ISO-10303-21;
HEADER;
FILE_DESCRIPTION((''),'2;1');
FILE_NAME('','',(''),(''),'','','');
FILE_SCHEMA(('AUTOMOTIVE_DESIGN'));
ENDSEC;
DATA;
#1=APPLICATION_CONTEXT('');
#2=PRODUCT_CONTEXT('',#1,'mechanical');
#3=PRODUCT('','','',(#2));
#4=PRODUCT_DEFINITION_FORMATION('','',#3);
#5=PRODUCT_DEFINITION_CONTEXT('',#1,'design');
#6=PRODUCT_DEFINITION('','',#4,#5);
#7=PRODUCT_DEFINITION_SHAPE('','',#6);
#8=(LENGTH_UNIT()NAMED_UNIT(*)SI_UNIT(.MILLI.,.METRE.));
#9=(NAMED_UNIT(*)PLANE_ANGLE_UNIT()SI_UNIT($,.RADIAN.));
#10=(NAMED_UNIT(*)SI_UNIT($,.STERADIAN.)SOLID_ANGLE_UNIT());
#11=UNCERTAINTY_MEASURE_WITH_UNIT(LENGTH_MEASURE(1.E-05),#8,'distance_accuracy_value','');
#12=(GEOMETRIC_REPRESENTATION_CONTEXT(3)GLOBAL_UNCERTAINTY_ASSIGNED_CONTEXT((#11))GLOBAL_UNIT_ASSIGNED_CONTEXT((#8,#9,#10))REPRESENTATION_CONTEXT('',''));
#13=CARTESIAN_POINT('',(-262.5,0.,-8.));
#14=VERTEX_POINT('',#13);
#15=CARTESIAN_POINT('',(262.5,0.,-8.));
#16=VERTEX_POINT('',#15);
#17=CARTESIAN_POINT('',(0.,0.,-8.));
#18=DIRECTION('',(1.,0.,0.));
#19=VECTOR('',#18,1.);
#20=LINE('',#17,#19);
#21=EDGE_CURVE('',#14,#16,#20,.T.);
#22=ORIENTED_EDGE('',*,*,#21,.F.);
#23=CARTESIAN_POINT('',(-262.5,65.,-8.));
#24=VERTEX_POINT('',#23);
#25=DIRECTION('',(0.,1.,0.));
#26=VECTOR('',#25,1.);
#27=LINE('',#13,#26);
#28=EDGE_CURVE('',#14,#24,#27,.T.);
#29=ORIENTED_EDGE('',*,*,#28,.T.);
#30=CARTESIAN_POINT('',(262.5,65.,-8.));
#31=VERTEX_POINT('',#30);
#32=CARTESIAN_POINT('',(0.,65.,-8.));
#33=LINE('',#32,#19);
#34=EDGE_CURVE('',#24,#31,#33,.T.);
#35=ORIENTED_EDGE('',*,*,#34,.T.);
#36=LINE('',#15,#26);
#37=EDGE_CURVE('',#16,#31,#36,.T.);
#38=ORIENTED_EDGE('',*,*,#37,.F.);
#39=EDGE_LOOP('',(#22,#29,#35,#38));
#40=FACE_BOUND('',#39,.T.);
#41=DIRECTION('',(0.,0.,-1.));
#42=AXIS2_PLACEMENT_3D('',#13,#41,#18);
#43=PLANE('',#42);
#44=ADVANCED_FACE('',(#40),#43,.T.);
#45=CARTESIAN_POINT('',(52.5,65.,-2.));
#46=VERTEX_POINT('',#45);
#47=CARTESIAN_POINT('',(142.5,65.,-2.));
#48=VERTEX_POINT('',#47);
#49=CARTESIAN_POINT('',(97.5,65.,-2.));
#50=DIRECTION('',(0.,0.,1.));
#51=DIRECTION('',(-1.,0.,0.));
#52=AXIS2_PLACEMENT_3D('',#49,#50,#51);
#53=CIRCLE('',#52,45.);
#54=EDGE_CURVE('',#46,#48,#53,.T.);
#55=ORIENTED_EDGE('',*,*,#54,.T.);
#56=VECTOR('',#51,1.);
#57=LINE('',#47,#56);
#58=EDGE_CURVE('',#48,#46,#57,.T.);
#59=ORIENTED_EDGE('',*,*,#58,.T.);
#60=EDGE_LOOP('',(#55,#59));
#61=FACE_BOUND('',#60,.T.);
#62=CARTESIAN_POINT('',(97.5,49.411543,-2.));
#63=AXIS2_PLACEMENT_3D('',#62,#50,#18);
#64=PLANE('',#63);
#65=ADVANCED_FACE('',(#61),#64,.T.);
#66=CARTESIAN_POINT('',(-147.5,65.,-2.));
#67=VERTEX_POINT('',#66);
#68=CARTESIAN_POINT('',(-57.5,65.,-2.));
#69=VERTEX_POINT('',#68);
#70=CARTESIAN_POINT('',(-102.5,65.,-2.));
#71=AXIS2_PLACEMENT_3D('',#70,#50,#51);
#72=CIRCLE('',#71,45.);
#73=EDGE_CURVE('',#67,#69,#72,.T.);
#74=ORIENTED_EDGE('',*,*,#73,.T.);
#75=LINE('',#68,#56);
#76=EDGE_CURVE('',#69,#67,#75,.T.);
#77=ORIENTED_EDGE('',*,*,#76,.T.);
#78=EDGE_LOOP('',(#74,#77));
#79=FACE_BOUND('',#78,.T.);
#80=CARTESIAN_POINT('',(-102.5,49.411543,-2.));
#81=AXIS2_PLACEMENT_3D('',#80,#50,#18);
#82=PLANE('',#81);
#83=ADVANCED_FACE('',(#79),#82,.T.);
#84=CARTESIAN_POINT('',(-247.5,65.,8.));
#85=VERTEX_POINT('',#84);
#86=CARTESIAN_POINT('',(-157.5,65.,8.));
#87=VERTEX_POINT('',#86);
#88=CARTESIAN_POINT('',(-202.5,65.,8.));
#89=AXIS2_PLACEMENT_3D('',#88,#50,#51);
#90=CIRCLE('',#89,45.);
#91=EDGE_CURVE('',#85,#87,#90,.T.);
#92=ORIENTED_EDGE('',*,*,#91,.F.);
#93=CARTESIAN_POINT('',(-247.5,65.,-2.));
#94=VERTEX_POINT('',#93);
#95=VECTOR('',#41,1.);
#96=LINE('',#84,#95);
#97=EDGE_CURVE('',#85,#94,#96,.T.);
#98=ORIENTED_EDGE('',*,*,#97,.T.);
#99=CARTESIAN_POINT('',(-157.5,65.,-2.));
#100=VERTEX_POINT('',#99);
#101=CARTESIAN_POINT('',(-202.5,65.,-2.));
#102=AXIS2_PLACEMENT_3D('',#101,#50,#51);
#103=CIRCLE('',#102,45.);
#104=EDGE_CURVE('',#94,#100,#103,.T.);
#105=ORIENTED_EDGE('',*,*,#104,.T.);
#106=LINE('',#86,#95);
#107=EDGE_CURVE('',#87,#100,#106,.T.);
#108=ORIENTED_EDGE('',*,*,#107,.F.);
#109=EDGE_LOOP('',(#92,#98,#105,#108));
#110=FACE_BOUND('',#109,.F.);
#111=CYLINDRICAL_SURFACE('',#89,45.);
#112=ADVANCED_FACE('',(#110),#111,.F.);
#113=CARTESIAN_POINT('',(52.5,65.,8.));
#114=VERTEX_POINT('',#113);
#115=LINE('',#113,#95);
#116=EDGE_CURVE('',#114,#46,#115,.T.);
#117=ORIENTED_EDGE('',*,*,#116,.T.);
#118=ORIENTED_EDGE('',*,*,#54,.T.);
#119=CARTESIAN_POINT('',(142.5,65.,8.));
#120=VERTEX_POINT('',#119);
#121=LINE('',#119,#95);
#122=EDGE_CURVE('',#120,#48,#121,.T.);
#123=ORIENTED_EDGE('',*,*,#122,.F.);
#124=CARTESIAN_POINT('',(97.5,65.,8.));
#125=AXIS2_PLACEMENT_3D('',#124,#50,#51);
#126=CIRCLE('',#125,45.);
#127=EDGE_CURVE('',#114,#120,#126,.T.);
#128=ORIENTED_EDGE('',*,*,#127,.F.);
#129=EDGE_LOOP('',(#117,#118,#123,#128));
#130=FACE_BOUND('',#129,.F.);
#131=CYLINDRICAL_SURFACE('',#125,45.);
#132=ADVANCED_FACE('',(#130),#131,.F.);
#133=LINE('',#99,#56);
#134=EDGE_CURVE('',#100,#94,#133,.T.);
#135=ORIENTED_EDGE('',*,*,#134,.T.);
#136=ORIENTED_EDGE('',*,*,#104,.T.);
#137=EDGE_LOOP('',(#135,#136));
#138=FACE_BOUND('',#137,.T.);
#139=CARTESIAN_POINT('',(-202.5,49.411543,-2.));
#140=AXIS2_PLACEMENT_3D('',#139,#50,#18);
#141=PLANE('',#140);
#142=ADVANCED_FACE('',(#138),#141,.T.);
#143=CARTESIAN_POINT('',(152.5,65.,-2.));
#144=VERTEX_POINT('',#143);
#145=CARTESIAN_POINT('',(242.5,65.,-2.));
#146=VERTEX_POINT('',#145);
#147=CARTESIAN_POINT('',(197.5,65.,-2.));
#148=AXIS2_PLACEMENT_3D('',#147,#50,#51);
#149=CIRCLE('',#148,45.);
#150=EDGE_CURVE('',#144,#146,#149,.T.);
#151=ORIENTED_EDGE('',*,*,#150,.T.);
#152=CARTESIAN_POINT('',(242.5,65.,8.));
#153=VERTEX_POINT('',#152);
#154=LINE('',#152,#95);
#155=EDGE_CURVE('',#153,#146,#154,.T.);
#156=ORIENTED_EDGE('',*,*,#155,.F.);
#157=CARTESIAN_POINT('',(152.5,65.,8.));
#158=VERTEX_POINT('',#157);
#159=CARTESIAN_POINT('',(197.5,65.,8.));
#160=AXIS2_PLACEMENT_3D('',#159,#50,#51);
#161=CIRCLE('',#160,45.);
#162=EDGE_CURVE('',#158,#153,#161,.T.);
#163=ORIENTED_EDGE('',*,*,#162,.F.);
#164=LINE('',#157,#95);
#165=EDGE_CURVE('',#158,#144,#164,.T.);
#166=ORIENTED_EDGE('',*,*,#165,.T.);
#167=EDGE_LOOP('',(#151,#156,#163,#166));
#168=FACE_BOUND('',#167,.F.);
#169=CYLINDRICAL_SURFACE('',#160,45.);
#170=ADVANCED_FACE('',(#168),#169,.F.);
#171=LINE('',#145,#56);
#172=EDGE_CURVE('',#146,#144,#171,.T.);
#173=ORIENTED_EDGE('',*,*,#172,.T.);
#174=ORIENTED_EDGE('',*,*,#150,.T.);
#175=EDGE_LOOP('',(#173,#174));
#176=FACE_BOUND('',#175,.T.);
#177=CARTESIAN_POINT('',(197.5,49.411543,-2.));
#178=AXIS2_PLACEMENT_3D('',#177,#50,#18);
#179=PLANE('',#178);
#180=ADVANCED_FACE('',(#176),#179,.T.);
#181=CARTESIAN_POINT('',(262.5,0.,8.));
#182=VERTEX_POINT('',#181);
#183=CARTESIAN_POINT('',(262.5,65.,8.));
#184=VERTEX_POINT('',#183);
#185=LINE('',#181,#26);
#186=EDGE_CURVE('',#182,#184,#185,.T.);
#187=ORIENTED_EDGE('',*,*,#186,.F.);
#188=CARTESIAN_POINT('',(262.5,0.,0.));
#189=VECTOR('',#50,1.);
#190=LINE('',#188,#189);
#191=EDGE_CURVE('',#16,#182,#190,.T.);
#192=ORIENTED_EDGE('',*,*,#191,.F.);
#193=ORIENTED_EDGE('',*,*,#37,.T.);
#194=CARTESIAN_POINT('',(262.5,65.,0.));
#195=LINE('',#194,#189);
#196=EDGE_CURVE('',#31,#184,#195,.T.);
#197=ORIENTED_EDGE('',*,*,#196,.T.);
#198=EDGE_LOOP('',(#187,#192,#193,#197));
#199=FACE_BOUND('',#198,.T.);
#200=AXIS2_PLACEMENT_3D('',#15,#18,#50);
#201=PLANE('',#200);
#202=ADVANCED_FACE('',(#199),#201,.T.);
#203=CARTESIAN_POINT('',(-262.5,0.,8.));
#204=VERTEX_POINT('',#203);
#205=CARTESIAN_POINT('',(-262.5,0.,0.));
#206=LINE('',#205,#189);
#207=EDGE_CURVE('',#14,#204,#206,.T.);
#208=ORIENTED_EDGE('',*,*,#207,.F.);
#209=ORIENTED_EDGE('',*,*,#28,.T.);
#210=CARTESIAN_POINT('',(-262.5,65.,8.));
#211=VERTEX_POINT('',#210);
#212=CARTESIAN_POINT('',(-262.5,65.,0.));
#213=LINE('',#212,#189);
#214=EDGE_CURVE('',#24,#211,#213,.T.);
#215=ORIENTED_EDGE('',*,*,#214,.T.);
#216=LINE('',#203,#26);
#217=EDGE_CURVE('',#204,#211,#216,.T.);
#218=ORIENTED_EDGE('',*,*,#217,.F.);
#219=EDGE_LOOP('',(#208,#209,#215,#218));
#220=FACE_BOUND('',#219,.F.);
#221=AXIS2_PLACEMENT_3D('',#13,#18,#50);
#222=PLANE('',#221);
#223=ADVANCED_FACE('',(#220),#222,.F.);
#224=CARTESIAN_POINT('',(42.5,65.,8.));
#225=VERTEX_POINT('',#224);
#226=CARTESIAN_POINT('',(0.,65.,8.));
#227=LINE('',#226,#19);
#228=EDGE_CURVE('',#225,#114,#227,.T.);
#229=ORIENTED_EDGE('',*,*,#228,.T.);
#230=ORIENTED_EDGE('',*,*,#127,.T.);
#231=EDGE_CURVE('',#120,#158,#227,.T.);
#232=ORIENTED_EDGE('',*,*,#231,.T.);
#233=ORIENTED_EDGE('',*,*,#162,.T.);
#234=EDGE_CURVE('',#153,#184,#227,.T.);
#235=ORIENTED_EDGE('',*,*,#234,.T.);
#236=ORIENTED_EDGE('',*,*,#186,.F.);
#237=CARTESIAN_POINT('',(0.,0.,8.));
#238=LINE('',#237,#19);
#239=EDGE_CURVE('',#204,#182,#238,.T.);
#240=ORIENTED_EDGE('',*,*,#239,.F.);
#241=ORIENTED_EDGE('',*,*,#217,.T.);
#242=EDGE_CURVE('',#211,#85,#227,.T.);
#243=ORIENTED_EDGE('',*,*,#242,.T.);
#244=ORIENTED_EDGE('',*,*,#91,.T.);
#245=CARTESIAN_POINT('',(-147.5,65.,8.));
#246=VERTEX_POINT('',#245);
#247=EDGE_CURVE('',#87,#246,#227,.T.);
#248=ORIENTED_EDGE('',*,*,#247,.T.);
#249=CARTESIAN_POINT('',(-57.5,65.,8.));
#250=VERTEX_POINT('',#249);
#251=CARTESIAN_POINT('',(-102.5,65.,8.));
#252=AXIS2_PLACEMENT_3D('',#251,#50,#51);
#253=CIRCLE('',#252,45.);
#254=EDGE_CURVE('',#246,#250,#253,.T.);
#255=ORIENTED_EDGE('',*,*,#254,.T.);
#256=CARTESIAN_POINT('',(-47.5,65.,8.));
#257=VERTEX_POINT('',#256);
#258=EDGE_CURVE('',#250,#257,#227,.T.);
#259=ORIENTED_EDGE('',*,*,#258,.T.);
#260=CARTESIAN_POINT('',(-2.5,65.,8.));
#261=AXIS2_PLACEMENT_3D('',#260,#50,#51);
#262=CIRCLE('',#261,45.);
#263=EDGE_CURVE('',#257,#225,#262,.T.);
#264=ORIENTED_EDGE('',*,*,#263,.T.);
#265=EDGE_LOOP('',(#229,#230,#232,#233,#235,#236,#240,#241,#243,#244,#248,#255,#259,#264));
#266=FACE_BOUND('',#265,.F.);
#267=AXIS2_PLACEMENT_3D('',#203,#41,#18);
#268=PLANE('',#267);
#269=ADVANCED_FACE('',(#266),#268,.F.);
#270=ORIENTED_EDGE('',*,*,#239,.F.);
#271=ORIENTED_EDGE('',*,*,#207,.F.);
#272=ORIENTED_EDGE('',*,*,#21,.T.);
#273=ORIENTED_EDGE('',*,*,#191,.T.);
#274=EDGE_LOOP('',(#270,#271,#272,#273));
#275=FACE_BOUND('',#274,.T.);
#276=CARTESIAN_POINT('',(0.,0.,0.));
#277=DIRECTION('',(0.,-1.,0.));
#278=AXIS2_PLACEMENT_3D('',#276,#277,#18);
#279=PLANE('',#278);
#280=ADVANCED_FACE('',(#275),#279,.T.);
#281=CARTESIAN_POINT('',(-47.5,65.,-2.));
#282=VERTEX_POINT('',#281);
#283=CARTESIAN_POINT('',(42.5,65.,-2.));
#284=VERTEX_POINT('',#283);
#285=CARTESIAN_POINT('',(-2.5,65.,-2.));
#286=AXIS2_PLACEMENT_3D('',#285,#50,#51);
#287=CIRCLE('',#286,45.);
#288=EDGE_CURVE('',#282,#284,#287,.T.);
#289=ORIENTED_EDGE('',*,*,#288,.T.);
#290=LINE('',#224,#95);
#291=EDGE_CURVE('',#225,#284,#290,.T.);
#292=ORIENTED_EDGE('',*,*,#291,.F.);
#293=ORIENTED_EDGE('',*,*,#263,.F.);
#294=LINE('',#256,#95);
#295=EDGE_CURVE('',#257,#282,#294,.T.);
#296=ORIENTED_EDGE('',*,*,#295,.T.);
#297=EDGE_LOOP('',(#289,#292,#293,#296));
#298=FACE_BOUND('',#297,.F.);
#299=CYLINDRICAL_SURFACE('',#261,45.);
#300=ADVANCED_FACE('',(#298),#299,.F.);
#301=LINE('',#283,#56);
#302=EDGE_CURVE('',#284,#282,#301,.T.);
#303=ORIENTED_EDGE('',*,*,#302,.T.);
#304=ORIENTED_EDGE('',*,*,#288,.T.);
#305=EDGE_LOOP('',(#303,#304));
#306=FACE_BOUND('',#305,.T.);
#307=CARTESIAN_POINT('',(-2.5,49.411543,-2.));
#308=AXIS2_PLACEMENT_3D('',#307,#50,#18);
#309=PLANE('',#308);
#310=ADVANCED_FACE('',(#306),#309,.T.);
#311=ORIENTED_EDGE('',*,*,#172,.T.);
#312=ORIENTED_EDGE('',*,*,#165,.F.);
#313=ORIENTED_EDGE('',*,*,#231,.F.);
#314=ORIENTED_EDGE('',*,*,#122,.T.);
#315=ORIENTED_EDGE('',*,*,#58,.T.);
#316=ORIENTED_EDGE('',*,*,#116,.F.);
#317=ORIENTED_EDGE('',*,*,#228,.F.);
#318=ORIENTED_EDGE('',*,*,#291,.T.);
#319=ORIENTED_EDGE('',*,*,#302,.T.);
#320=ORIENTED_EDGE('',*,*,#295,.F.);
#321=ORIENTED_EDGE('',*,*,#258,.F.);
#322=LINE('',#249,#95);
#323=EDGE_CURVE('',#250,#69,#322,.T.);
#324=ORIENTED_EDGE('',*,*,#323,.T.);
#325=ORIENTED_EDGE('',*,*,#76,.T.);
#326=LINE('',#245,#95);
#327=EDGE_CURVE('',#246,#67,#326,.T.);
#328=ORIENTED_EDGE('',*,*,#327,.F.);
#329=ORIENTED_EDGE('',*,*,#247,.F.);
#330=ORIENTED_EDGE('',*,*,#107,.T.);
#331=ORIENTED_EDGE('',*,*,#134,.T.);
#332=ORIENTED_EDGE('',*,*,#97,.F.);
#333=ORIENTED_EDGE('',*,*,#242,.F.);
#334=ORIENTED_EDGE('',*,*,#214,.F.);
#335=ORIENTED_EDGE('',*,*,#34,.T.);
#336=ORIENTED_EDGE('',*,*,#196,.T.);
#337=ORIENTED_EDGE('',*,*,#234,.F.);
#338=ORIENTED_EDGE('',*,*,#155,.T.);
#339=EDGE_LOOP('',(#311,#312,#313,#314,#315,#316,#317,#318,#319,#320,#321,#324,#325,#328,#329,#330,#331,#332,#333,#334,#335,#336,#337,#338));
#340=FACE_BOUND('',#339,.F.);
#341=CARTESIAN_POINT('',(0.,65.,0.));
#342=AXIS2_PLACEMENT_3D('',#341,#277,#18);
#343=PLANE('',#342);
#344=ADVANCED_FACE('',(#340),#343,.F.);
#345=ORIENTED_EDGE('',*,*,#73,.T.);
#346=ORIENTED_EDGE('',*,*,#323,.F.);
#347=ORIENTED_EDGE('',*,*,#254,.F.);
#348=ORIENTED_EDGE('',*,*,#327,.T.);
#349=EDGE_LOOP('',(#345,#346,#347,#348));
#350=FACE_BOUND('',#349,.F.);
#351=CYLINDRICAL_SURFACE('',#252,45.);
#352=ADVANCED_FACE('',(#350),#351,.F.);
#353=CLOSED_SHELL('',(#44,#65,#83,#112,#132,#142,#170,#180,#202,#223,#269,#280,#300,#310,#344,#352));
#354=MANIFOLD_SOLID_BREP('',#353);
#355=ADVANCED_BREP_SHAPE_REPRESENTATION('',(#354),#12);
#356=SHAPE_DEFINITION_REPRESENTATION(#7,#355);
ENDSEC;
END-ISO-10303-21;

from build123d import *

# Parameters (mm, degrees)
F0_W     = 525
F0_H     = 16
F1_DEPTH = 65
F3_DEPTH = 10


with BuildPart() as f1:
    # F0 (on Front) → F1 (new body)
    with BuildSketch(Plane.XZ):
        Rectangle(F0_W, F0_H)
    extrude(amount=-F1_DEPTH)

    # F2 (on face) → F3 (cut)
    with BuildSketch(Plane.XY.offset(8)):
        with BuildLine():
            Line((-157.5, 65), (-247.5, 65))
            ThreePointArc((-247.5, 65), (-202.5, 20), (-157.5, 65))
        make_face()
        with BuildLine():
            Line((-57.5, 65), (-147.5, 65))
            ThreePointArc((-147.5, 65), (-102.5, 20), (-57.5, 65))
        make_face()
        with BuildLine():
            Line((42.5, 65), (-47.5, 65))
            ThreePointArc((-47.5, 65), (-2.5, 20), (42.5, 65))
        make_face()
        with BuildLine():
            ThreePointArc((52.5, 65), (97.5, 20), (142.5, 65))
            Line((142.5, 65), (52.5, 65))
        make_face()
        with BuildLine():
            ThreePointArc((152.5, 65), (197.5, 20), (242.5, 65))
            Line((242.5, 65), (152.5, 65))
        make_face()
    extrude(amount=-F3_DEPTH, mode=Mode.SUBTRACT)


solid = f1.part
